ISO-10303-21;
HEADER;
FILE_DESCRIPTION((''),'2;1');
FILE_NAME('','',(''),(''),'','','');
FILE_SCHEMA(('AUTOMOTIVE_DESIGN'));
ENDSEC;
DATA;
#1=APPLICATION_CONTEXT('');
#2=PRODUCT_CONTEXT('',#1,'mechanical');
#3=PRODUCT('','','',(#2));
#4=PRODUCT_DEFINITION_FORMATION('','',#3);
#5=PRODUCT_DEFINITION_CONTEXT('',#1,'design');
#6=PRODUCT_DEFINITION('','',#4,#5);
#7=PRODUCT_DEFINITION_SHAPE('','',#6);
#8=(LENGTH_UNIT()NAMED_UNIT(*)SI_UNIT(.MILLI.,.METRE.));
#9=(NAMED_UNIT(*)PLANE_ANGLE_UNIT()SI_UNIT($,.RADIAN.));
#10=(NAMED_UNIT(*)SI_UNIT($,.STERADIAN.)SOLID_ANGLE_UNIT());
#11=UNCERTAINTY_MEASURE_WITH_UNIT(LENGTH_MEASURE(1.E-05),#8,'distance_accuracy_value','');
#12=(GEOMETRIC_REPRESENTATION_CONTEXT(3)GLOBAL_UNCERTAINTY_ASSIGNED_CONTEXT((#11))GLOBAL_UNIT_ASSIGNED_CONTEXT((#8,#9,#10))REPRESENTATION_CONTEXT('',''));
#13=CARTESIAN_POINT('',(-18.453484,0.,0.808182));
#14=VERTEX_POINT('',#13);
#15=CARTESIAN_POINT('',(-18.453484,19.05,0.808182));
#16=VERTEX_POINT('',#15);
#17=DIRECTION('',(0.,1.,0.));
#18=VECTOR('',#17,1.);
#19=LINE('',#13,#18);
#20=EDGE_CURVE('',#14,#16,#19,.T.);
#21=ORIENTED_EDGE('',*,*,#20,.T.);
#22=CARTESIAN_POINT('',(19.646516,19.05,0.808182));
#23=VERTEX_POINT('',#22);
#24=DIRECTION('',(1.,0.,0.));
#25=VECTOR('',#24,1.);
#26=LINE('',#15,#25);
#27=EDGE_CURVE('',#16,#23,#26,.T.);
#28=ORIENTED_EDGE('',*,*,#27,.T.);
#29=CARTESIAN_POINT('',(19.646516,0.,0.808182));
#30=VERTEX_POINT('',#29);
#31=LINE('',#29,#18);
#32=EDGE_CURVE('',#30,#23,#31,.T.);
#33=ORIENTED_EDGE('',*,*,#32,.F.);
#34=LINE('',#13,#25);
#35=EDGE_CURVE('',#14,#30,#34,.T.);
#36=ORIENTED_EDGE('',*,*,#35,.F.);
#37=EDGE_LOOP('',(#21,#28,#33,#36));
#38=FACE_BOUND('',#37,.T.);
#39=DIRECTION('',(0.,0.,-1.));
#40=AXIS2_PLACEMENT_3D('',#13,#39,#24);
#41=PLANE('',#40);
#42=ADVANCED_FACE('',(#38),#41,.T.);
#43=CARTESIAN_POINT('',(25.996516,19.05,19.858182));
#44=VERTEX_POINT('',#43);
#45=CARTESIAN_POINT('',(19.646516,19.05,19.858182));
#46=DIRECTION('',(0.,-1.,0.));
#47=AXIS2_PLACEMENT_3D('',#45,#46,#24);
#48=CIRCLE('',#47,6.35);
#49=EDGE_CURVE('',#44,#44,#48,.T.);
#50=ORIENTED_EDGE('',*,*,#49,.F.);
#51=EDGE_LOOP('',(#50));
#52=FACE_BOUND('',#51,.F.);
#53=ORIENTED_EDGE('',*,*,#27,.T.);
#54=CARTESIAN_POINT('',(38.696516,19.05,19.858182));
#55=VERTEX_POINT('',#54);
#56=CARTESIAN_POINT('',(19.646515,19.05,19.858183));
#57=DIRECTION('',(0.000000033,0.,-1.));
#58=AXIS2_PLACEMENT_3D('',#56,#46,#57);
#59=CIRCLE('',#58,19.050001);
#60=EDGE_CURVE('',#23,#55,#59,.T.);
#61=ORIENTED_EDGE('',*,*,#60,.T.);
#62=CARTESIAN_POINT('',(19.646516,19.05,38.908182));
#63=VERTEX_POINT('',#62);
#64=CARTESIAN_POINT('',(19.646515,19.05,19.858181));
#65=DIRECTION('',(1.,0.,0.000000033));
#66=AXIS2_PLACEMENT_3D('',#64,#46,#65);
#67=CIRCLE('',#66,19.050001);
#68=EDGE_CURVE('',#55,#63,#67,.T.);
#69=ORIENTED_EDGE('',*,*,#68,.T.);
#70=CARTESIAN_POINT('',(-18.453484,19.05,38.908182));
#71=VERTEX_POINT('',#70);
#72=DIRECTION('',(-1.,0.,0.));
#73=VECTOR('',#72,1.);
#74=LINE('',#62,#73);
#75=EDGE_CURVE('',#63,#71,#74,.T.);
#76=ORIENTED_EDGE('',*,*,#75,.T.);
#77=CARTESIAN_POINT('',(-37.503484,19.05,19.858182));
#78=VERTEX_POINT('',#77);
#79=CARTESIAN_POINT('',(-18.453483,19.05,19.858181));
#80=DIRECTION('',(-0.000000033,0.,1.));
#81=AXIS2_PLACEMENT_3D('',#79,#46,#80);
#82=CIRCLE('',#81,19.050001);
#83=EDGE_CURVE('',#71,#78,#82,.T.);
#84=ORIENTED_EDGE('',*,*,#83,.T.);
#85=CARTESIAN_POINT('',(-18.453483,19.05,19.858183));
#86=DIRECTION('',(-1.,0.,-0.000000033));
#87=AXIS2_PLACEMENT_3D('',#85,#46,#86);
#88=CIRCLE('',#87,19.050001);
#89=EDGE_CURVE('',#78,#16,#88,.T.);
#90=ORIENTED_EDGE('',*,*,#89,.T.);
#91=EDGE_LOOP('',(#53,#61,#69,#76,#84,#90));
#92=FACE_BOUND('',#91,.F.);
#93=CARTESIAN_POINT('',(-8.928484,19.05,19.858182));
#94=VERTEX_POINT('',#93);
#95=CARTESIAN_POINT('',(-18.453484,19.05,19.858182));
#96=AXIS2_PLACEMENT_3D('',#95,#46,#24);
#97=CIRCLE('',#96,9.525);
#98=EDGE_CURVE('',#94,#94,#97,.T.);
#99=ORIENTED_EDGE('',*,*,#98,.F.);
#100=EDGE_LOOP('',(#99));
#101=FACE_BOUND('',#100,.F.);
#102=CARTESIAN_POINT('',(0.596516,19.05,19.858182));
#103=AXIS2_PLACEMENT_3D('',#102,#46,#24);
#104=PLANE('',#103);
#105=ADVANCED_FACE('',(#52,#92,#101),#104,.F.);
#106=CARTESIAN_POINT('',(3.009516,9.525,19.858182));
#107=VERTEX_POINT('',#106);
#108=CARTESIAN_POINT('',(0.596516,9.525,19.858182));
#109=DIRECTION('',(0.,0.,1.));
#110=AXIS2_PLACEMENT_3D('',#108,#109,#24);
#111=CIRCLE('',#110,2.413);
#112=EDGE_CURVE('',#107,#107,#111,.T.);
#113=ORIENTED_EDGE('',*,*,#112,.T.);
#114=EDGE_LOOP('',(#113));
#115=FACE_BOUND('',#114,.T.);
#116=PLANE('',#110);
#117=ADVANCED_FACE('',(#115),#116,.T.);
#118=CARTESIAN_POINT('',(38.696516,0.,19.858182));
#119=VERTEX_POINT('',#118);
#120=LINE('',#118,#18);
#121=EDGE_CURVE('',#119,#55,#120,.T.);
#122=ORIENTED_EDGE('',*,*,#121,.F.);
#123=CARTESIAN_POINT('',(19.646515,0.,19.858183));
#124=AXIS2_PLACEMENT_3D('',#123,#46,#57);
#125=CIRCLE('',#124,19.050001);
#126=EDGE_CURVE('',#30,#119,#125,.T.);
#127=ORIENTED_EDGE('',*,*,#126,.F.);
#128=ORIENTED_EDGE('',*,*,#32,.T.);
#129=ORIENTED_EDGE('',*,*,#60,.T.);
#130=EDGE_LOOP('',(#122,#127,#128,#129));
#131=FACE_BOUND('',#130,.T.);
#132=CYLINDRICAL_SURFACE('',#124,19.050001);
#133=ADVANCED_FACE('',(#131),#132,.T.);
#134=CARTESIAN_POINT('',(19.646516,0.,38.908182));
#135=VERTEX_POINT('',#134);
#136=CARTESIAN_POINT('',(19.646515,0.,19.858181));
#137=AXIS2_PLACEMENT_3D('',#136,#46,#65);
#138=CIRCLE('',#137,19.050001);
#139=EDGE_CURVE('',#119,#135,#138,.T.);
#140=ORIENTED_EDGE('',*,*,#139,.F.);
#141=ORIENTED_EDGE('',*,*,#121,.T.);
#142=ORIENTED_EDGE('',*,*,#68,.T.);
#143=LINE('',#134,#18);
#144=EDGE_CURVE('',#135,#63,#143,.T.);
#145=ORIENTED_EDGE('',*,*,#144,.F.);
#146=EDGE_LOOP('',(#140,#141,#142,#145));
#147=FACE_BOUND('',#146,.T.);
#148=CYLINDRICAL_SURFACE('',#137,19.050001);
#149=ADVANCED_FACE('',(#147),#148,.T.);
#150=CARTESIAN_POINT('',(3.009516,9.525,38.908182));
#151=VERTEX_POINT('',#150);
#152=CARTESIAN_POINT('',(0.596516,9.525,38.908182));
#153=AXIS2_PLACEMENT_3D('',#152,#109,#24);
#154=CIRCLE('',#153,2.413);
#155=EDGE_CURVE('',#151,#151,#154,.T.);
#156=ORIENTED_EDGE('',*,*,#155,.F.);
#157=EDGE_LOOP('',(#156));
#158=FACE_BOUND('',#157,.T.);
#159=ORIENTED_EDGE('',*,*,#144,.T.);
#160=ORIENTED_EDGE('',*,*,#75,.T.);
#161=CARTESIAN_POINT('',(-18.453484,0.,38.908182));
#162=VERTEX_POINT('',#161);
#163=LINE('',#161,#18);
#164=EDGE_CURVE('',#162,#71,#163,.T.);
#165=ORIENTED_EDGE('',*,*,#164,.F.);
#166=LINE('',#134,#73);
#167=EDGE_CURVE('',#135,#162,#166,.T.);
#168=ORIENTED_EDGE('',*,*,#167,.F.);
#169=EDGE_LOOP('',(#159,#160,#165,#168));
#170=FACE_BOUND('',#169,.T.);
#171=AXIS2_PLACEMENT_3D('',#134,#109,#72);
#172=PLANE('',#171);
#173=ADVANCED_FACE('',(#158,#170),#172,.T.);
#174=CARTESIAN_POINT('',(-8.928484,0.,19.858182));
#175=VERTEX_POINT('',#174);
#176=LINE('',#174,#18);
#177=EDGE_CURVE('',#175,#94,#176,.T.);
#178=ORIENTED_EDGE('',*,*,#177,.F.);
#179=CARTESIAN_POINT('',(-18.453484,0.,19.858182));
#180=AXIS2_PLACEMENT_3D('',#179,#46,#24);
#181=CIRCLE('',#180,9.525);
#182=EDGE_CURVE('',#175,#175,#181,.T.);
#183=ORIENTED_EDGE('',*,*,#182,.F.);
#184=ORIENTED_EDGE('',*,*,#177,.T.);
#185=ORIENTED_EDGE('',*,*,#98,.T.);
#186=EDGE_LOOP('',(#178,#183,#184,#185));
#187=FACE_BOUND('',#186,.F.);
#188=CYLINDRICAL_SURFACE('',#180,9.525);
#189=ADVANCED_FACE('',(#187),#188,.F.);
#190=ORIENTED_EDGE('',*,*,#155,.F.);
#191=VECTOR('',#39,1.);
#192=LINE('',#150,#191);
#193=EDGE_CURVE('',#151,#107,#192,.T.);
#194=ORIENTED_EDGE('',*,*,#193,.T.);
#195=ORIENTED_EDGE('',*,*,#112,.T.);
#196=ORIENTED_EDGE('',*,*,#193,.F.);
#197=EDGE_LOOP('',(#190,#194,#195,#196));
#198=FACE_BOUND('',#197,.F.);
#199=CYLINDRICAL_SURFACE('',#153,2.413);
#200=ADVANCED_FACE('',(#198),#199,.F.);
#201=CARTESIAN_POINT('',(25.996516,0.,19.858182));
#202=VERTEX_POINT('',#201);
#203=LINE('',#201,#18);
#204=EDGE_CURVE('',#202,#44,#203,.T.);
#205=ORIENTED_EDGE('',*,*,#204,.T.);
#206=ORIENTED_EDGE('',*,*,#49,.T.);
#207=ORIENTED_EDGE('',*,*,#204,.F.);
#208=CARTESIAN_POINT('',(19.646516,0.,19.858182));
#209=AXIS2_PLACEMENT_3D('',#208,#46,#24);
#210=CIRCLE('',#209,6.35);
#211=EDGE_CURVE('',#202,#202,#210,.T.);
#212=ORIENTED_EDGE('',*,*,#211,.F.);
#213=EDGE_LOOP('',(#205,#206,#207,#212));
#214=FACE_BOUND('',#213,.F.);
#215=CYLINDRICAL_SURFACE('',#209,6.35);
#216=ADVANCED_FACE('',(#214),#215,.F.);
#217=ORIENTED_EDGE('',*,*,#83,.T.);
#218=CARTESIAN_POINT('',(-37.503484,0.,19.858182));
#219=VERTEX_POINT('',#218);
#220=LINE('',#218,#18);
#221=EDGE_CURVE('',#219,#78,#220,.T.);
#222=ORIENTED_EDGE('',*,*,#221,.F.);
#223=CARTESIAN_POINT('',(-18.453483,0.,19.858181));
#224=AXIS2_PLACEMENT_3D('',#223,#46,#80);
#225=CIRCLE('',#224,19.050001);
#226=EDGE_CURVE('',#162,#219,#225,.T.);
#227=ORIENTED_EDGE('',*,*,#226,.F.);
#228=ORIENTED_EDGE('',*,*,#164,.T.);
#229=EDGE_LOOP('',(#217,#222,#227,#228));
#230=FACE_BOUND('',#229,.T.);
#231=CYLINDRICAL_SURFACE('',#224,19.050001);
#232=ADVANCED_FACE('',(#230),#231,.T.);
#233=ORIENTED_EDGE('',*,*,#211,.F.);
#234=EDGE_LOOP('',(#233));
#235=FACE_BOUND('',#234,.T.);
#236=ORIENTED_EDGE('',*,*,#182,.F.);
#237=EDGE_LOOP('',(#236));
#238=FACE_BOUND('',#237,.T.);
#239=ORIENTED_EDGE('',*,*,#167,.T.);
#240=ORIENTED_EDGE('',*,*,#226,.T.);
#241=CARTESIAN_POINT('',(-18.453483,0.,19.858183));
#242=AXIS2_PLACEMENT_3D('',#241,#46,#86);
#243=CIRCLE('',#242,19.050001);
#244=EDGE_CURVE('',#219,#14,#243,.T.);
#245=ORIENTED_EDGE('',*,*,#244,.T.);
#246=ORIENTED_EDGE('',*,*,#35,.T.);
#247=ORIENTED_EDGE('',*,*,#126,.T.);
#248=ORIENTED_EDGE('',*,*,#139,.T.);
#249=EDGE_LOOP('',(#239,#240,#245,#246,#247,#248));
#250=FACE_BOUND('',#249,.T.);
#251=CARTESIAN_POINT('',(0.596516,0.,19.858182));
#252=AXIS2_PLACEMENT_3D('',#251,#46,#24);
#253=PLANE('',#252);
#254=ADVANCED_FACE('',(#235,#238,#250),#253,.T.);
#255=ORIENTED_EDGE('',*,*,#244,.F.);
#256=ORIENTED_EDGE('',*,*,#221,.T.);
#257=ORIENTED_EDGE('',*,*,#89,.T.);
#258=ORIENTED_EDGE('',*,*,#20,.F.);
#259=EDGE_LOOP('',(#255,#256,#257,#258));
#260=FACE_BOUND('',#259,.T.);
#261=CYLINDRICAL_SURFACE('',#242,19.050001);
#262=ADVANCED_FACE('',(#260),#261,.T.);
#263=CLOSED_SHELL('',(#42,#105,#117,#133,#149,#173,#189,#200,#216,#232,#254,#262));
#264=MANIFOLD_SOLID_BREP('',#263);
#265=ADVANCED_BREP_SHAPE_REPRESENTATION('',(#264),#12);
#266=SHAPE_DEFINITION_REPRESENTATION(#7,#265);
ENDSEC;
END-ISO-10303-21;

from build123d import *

# Parameters (mm, degrees)
F0_R     = 9.525
F0_R_2   = 6.35
F1_DEPTH = 19.05
F2_R     = 2.413
F3_DEPTH = 19.05


with BuildPart() as f1:
    # F0 (on Front) → F1 (new body)
    with BuildSketch(Plane.XZ):
        with BuildLine():
            ThreePointArc((-37.503484, 19.858182), (-31.923868, 6.387798), (-18.453484, 0.808182))
            Line((-18.453484, 0.808182), (19.646516, 0.808182))
            ThreePointArc((19.646516, 0.808182), (33.1169, 6.387798), (38.696516, 19.858182))
            ThreePointArc((38.696516, 19.858182), (33.1169, 33.328566), (19.646516, 38.908182))
            Line((19.646516, 38.908182), (-18.453484, 38.908182))
            ThreePointArc((-18.453484, 38.908182), (-31.923868, 33.328566), (-37.503484, 19.858182))
        make_face()
        with Locations((-18.453484, 19.858182)):
            Circle(F0_R, mode=Mode.SUBTRACT)
        with Locations((19.646516, 19.858182)):
            Circle(F0_R_2, mode=Mode.SUBTRACT)
    extrude(amount=-F1_DEPTH)

    # F2 (on face) → F3 (cut)
    with BuildSketch(Plane.XY.offset(38.908182)):
        with Locations((0.596516, 9.525)):
            Circle(F2_R)
    extrude(amount=-F3_DEPTH, mode=Mode.SUBTRACT)


solid = f1.part
